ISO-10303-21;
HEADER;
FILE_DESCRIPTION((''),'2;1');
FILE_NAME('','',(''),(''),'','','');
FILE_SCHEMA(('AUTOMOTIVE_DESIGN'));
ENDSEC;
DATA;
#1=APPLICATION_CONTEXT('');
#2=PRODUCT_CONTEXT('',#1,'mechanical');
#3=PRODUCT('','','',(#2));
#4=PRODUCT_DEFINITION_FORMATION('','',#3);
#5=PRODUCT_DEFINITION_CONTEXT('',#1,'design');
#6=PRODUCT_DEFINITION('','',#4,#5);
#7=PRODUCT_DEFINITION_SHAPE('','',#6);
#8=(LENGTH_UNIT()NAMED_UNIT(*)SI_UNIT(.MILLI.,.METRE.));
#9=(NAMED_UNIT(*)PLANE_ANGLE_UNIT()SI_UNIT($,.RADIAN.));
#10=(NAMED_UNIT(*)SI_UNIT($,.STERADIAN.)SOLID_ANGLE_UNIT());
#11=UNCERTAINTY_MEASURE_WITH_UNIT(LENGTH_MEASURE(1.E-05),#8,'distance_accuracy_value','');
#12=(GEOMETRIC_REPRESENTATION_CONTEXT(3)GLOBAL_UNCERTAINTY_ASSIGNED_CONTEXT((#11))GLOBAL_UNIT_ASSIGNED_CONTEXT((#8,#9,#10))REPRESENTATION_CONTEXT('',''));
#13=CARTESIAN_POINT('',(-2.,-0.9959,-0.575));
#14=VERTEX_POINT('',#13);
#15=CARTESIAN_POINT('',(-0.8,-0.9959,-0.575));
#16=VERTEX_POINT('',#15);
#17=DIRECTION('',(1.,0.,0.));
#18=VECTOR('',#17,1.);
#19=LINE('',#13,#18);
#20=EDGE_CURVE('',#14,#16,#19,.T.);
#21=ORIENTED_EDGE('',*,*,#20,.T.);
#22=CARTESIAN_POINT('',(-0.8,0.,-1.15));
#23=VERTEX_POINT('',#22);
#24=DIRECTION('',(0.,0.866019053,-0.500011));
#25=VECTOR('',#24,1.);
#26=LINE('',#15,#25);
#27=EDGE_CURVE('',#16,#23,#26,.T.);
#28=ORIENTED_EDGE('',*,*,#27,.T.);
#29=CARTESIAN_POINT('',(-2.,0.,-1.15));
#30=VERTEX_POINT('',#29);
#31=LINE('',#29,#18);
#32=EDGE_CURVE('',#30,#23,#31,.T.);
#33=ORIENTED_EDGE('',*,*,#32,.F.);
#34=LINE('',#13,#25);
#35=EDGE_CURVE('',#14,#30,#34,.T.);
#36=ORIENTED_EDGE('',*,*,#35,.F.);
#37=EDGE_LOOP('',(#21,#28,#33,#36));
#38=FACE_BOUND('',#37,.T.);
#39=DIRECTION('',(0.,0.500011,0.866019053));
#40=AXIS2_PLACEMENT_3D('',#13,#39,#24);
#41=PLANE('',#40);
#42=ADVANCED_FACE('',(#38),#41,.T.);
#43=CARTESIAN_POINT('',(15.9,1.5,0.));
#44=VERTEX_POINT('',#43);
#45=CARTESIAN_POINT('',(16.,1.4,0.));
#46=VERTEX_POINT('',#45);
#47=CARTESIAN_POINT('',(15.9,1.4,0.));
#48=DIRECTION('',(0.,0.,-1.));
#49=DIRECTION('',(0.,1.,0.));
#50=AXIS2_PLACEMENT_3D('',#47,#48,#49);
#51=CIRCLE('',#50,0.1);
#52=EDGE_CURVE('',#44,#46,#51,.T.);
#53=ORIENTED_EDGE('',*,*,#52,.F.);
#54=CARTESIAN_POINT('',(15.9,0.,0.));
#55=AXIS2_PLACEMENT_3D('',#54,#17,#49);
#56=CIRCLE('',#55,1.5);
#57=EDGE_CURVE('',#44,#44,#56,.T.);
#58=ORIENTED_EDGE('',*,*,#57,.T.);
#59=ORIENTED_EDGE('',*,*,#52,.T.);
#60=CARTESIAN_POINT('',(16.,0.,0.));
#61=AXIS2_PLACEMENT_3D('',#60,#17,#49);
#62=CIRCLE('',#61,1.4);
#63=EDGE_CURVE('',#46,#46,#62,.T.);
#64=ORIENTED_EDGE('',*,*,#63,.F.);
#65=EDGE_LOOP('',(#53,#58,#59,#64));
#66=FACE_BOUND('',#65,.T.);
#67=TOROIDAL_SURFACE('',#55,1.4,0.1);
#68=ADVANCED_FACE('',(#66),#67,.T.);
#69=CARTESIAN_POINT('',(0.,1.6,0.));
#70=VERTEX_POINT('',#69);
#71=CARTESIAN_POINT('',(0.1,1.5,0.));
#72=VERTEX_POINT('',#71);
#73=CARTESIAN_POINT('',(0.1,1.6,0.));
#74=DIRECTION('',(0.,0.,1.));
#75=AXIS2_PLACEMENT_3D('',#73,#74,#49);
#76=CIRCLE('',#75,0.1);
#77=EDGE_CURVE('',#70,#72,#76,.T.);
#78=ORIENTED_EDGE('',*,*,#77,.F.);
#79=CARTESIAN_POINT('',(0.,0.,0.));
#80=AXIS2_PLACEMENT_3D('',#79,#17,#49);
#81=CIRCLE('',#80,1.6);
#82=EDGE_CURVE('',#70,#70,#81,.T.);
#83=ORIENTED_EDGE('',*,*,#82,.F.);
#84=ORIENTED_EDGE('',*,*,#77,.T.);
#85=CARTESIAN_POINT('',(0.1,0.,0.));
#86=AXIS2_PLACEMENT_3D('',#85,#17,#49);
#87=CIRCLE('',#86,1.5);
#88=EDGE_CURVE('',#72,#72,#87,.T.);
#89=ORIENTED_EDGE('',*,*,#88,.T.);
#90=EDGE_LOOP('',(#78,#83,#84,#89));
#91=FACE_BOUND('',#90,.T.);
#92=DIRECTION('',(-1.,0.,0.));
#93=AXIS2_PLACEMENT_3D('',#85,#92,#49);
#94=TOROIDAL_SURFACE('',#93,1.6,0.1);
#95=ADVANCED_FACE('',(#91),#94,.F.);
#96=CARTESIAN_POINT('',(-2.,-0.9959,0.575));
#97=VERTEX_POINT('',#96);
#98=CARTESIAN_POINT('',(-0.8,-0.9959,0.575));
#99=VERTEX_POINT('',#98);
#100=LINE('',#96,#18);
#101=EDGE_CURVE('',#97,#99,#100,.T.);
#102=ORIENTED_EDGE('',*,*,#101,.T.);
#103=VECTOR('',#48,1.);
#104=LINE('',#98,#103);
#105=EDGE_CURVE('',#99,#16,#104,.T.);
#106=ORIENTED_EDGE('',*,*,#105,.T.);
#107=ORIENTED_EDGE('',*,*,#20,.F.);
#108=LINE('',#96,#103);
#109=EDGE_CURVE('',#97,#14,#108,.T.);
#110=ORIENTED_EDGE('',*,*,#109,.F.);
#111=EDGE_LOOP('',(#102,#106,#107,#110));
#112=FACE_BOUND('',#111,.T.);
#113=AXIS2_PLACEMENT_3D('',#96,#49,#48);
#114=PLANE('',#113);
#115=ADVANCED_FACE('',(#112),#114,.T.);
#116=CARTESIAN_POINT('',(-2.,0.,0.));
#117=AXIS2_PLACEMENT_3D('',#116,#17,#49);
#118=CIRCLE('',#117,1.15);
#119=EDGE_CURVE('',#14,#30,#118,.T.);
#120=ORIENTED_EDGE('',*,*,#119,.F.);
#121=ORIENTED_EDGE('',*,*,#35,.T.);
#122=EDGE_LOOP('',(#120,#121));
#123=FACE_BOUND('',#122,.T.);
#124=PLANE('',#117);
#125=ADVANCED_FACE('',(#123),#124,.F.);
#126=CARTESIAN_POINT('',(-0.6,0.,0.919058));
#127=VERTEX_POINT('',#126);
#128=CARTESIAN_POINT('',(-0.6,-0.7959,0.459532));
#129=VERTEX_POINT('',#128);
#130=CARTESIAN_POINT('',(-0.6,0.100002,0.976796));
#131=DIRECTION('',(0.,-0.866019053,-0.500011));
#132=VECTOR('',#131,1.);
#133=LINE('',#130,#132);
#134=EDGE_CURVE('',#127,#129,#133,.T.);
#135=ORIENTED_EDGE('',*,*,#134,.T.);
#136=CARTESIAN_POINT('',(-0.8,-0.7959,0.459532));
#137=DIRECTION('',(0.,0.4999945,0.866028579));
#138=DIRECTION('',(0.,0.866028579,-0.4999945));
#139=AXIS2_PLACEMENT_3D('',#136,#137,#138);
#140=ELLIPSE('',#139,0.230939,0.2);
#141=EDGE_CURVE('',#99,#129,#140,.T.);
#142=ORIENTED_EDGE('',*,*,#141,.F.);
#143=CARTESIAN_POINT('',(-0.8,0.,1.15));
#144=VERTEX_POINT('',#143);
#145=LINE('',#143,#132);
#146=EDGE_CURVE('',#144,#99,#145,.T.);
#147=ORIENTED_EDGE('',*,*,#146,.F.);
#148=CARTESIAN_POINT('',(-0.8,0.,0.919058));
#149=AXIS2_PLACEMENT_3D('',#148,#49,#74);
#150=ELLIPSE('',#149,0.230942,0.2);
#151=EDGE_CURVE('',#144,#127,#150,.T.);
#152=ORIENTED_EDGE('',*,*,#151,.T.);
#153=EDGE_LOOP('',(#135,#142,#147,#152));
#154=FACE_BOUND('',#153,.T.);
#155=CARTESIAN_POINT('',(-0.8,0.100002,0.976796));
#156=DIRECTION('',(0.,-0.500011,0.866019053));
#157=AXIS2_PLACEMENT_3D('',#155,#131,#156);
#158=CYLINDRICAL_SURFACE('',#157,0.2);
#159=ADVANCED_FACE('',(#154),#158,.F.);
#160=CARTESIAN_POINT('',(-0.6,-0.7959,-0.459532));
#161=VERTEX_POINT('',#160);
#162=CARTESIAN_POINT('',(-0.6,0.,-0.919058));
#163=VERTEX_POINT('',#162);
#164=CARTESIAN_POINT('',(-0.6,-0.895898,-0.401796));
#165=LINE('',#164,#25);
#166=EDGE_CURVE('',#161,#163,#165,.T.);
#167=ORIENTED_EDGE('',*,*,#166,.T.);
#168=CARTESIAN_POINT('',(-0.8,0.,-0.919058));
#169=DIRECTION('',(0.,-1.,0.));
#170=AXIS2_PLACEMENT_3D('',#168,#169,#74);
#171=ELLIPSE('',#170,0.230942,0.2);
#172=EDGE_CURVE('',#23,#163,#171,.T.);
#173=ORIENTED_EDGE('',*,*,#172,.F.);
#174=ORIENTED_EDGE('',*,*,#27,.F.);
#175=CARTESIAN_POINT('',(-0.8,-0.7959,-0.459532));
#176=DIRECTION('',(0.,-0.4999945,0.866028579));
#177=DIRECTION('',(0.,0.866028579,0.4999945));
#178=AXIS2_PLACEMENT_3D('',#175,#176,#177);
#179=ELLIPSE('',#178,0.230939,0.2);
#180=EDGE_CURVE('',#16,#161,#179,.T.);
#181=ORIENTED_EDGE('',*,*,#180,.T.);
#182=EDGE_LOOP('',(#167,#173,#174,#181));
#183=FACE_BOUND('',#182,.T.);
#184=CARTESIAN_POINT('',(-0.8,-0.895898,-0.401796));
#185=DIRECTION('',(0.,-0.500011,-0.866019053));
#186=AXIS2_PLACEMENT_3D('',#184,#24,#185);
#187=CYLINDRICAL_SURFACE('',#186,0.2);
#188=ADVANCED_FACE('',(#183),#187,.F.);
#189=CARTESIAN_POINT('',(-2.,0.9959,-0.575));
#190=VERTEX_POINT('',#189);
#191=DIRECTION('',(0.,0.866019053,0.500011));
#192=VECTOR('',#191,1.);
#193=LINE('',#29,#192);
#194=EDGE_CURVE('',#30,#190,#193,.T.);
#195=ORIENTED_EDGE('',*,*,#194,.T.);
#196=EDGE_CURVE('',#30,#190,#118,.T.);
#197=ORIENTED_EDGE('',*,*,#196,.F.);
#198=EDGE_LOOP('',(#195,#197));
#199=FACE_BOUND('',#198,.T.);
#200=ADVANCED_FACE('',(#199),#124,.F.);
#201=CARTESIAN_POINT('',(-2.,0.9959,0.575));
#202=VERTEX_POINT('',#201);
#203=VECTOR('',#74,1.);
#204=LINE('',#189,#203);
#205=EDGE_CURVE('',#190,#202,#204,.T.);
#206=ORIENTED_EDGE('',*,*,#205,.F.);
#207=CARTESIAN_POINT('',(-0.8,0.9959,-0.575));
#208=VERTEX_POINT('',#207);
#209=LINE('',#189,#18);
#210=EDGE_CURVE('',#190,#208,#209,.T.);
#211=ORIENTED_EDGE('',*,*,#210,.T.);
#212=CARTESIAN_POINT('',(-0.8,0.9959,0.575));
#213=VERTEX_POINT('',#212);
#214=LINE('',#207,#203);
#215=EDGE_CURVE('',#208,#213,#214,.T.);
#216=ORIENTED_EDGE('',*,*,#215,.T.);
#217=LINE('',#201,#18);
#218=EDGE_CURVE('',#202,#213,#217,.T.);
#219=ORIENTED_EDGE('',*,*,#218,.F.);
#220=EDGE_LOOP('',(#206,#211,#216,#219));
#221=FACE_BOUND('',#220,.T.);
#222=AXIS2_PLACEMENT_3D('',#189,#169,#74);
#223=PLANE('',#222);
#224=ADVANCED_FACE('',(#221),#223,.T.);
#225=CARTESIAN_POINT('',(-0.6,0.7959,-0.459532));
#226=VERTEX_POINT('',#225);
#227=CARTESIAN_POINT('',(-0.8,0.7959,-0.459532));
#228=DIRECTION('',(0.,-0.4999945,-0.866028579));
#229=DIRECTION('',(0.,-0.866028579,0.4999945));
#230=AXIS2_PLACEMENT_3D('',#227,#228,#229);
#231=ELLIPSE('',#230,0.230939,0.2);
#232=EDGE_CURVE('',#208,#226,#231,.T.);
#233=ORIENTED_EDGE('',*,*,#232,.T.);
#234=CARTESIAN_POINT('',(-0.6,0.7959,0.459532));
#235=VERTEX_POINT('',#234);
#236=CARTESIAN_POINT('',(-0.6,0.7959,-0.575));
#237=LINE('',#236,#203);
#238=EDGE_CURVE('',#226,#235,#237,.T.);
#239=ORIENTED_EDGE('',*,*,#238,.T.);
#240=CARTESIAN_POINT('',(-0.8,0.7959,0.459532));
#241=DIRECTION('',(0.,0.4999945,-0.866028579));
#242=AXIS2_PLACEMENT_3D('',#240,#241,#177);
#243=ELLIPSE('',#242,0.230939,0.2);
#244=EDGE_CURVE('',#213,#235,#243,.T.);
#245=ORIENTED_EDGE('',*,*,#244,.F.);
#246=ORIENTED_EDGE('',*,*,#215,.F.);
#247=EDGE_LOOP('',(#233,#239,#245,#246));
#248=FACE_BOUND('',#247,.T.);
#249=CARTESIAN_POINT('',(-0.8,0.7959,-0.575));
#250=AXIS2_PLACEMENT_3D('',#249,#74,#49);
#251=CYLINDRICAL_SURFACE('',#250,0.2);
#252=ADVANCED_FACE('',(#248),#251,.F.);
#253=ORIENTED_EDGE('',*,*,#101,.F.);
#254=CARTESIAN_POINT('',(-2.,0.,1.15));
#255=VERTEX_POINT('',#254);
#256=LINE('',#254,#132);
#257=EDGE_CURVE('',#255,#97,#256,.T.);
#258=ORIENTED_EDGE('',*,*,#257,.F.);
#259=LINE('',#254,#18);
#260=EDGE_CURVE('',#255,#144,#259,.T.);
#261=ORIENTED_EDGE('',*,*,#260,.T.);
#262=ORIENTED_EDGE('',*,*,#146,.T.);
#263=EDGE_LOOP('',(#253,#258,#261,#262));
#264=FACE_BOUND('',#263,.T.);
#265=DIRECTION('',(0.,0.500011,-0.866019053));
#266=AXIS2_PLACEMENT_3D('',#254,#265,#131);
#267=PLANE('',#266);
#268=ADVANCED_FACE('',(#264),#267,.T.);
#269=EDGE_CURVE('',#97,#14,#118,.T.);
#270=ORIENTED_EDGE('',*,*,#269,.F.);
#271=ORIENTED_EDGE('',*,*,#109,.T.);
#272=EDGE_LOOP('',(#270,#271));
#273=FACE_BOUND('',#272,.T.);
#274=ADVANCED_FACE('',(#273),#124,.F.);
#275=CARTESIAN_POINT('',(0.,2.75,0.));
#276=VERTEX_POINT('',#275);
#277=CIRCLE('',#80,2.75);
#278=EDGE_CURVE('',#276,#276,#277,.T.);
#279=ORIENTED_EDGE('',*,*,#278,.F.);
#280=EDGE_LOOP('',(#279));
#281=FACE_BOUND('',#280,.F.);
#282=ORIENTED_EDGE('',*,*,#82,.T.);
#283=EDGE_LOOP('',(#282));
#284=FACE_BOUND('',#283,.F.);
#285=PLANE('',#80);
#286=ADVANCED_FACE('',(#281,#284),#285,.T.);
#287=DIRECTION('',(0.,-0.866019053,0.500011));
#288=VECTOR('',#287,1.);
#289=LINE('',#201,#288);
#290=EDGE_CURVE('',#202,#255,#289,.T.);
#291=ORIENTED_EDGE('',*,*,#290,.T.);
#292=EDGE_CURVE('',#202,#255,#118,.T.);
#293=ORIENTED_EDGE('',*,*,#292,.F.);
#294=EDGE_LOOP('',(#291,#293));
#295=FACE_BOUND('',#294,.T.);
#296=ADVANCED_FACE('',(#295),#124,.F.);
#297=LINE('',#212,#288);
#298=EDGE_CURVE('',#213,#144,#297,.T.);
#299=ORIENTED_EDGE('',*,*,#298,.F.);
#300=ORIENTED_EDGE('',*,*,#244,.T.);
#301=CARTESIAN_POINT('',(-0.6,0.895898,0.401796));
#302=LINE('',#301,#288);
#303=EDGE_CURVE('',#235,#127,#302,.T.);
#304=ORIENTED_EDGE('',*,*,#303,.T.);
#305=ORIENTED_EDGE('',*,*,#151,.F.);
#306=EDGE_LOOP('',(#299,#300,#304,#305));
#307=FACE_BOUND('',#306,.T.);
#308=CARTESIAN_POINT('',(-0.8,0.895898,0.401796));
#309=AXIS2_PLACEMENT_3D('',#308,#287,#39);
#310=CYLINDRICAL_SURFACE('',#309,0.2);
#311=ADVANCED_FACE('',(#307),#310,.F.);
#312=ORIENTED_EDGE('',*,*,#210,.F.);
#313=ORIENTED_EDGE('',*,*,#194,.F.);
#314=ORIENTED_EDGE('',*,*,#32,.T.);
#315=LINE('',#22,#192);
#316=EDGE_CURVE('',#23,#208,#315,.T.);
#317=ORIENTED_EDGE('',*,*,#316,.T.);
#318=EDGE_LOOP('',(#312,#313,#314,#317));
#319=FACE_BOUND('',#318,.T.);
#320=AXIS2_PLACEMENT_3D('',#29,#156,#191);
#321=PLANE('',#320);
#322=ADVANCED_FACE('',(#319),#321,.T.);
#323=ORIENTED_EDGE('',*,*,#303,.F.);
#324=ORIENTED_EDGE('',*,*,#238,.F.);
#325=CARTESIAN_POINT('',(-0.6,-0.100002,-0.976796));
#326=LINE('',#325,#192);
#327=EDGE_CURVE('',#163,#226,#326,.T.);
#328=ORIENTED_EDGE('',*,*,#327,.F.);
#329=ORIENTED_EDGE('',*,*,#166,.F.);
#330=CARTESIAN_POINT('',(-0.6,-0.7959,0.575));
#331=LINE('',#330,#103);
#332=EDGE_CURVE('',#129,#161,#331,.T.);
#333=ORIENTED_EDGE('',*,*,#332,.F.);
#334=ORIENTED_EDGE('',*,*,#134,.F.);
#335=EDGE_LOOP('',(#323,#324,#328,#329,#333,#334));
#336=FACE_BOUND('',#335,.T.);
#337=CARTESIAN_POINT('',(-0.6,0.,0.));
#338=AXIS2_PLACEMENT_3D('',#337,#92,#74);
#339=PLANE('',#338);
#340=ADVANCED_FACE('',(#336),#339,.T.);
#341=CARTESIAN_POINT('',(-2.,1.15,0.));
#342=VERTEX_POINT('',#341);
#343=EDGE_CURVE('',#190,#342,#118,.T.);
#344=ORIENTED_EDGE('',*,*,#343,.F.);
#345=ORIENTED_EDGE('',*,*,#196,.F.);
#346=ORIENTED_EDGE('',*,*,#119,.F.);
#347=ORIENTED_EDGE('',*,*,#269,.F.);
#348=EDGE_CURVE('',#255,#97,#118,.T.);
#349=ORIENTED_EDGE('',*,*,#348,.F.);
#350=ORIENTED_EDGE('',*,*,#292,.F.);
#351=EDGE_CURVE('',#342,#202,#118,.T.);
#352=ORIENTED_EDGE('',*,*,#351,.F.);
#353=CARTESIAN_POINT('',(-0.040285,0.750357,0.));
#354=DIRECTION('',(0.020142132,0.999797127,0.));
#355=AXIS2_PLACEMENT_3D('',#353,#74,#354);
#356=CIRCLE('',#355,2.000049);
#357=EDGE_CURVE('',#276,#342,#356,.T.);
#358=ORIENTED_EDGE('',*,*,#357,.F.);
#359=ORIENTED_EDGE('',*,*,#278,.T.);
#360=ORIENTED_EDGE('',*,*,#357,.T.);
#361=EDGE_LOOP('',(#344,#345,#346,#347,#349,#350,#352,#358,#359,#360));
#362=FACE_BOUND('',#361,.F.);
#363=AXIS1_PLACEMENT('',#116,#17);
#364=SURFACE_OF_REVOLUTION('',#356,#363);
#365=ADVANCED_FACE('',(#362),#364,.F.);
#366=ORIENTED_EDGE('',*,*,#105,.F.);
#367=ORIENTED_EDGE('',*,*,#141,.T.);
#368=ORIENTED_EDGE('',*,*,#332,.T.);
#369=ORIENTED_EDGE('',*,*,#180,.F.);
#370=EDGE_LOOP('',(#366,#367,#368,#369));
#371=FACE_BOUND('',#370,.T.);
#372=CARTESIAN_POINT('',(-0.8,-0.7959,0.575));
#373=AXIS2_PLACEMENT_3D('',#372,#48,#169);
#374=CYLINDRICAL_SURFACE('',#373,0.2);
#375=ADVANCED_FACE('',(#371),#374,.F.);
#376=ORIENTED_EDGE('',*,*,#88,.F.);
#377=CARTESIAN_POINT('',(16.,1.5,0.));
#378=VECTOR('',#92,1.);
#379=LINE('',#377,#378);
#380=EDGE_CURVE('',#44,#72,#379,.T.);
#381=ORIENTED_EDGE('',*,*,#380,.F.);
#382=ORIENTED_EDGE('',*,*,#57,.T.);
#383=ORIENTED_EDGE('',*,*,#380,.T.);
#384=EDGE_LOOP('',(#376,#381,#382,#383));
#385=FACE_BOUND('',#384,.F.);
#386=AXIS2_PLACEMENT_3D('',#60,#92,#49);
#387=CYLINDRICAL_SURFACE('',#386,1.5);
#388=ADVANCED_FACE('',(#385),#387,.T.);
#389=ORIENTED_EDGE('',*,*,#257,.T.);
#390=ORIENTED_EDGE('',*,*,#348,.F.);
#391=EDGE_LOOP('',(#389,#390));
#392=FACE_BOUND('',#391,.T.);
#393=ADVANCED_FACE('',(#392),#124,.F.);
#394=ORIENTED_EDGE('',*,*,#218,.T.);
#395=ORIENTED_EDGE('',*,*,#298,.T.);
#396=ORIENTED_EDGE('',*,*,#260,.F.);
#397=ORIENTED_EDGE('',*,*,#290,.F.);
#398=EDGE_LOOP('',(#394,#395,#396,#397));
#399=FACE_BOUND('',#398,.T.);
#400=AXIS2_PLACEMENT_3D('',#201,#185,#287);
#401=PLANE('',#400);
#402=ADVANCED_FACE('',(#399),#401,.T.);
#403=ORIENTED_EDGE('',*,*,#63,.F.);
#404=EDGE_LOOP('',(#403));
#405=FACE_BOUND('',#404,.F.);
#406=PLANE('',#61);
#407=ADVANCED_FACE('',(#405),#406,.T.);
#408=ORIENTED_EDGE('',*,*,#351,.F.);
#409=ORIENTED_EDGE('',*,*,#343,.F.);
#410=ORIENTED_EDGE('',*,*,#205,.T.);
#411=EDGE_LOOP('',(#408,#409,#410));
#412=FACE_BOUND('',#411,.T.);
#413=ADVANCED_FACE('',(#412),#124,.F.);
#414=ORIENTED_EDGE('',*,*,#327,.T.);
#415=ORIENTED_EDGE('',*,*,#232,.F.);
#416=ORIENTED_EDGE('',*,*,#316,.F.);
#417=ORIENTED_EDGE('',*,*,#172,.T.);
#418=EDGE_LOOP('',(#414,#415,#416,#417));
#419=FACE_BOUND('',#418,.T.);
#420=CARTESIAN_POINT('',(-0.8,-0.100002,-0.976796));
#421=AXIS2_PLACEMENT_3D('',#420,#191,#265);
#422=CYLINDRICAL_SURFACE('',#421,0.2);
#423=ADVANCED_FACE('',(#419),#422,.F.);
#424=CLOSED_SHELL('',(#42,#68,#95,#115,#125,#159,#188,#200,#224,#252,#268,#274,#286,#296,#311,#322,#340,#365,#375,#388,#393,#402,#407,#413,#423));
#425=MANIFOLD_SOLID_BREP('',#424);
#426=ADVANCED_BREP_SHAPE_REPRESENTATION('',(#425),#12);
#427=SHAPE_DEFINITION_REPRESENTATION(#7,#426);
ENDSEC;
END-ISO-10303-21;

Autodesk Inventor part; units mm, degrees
ref_plane "YZ Plane" through (0, 0, 0) normal (1, 0, 0) x (0, 1, 0)
ref_plane "XZ Plane" through (0, 0, 0) normal (0, 1, 0) x (-1, 0, 0)
ref_plane "XY Plane" through (0, 0, 0) normal (0, 0, 1) x (1, 0, 0)
sketch "スケッチ1" plane through (0, 0, 0) normal (0, 0, 1) x (1, 0, 0)
  line L0 (0, 0) -> (16, 0)
  line L1 (16, 0) -> (16, 1.5)
  line L2 (16, 1.5) -> (0, 1.5)
  line L3 (0, 1.5) -> (0, 0)
  line L4 (0, 0) -> (0, 2.75)
  line L5 (0, 0) -> (-2, 0)
  line L6 (-2, 0) -> (0, 0)
  line L7 (-2, 0) -> (-2, 1.15)
  arc A0 (0, 2.75) -> (-2, 1.15) centre (-0.0403, 0.7504) ccw
  dimension "d0" = 1.5
  dimension "d1" = 16
  dimension "d3" = 2
  dimension "d4" = 2.75
  dimension "d5" = 1.15
  dimension "d6" = 2
revolve "回転1" add sketch "スケッチ1" angle 360 about axis through (-2, 0, 0) along (1, 0, 0)
thread "ねじ1" size "M3x0.5" class "6g" standard "ANSI Metric M Profile" length 100
sketch "スケッチ2" plane through (-2, 0, 0) normal (-1, 0, 0) x (0, 0, 1)
  circle A0 centre (0, 0) radius 1.15 projected
  line L0 (-0.575, 0.9959) -> (0.575, 0.9959)
  line L1 (0.575, 0.9959) -> (1.15, 0)
  line L2 (1.15, 0) -> (0.575, -0.9959)
  line L3 (0.575, -0.9959) -> (-0.575, -0.9959)
  line L4 (-0.575, -0.9959) -> (-1.15, 0)
  line L5 (-1.15, 0) -> (-0.575, 0.9959)
  dimension "d10" = 1.15
  dimension "d11" = 1.9919
extrude "押し出し1" cut sketch "スケッチ2" against normal blind 1.4 contours L2 L3 L4 L5 L0 L1
fillet "フィレット1" radius 0.2 6 edges at (-0.6, 0.9959, 0) (-0.6, 0.498, 0.8625) (-0.6, 0.498, -0.8625) (-0.6, -0.498, -0.8625) (-0.6, -0.9959, 0) (-0.6, -0.498, 0.8625)
fillet "フィレット2" radius 0.1 1 edges at (0, -1.5, 0)
fillet "フィレット3" radius 0.1 1 edges at (16, -1.5, 0)
properties part number "ネジボタンM3L16" material "鋼"
